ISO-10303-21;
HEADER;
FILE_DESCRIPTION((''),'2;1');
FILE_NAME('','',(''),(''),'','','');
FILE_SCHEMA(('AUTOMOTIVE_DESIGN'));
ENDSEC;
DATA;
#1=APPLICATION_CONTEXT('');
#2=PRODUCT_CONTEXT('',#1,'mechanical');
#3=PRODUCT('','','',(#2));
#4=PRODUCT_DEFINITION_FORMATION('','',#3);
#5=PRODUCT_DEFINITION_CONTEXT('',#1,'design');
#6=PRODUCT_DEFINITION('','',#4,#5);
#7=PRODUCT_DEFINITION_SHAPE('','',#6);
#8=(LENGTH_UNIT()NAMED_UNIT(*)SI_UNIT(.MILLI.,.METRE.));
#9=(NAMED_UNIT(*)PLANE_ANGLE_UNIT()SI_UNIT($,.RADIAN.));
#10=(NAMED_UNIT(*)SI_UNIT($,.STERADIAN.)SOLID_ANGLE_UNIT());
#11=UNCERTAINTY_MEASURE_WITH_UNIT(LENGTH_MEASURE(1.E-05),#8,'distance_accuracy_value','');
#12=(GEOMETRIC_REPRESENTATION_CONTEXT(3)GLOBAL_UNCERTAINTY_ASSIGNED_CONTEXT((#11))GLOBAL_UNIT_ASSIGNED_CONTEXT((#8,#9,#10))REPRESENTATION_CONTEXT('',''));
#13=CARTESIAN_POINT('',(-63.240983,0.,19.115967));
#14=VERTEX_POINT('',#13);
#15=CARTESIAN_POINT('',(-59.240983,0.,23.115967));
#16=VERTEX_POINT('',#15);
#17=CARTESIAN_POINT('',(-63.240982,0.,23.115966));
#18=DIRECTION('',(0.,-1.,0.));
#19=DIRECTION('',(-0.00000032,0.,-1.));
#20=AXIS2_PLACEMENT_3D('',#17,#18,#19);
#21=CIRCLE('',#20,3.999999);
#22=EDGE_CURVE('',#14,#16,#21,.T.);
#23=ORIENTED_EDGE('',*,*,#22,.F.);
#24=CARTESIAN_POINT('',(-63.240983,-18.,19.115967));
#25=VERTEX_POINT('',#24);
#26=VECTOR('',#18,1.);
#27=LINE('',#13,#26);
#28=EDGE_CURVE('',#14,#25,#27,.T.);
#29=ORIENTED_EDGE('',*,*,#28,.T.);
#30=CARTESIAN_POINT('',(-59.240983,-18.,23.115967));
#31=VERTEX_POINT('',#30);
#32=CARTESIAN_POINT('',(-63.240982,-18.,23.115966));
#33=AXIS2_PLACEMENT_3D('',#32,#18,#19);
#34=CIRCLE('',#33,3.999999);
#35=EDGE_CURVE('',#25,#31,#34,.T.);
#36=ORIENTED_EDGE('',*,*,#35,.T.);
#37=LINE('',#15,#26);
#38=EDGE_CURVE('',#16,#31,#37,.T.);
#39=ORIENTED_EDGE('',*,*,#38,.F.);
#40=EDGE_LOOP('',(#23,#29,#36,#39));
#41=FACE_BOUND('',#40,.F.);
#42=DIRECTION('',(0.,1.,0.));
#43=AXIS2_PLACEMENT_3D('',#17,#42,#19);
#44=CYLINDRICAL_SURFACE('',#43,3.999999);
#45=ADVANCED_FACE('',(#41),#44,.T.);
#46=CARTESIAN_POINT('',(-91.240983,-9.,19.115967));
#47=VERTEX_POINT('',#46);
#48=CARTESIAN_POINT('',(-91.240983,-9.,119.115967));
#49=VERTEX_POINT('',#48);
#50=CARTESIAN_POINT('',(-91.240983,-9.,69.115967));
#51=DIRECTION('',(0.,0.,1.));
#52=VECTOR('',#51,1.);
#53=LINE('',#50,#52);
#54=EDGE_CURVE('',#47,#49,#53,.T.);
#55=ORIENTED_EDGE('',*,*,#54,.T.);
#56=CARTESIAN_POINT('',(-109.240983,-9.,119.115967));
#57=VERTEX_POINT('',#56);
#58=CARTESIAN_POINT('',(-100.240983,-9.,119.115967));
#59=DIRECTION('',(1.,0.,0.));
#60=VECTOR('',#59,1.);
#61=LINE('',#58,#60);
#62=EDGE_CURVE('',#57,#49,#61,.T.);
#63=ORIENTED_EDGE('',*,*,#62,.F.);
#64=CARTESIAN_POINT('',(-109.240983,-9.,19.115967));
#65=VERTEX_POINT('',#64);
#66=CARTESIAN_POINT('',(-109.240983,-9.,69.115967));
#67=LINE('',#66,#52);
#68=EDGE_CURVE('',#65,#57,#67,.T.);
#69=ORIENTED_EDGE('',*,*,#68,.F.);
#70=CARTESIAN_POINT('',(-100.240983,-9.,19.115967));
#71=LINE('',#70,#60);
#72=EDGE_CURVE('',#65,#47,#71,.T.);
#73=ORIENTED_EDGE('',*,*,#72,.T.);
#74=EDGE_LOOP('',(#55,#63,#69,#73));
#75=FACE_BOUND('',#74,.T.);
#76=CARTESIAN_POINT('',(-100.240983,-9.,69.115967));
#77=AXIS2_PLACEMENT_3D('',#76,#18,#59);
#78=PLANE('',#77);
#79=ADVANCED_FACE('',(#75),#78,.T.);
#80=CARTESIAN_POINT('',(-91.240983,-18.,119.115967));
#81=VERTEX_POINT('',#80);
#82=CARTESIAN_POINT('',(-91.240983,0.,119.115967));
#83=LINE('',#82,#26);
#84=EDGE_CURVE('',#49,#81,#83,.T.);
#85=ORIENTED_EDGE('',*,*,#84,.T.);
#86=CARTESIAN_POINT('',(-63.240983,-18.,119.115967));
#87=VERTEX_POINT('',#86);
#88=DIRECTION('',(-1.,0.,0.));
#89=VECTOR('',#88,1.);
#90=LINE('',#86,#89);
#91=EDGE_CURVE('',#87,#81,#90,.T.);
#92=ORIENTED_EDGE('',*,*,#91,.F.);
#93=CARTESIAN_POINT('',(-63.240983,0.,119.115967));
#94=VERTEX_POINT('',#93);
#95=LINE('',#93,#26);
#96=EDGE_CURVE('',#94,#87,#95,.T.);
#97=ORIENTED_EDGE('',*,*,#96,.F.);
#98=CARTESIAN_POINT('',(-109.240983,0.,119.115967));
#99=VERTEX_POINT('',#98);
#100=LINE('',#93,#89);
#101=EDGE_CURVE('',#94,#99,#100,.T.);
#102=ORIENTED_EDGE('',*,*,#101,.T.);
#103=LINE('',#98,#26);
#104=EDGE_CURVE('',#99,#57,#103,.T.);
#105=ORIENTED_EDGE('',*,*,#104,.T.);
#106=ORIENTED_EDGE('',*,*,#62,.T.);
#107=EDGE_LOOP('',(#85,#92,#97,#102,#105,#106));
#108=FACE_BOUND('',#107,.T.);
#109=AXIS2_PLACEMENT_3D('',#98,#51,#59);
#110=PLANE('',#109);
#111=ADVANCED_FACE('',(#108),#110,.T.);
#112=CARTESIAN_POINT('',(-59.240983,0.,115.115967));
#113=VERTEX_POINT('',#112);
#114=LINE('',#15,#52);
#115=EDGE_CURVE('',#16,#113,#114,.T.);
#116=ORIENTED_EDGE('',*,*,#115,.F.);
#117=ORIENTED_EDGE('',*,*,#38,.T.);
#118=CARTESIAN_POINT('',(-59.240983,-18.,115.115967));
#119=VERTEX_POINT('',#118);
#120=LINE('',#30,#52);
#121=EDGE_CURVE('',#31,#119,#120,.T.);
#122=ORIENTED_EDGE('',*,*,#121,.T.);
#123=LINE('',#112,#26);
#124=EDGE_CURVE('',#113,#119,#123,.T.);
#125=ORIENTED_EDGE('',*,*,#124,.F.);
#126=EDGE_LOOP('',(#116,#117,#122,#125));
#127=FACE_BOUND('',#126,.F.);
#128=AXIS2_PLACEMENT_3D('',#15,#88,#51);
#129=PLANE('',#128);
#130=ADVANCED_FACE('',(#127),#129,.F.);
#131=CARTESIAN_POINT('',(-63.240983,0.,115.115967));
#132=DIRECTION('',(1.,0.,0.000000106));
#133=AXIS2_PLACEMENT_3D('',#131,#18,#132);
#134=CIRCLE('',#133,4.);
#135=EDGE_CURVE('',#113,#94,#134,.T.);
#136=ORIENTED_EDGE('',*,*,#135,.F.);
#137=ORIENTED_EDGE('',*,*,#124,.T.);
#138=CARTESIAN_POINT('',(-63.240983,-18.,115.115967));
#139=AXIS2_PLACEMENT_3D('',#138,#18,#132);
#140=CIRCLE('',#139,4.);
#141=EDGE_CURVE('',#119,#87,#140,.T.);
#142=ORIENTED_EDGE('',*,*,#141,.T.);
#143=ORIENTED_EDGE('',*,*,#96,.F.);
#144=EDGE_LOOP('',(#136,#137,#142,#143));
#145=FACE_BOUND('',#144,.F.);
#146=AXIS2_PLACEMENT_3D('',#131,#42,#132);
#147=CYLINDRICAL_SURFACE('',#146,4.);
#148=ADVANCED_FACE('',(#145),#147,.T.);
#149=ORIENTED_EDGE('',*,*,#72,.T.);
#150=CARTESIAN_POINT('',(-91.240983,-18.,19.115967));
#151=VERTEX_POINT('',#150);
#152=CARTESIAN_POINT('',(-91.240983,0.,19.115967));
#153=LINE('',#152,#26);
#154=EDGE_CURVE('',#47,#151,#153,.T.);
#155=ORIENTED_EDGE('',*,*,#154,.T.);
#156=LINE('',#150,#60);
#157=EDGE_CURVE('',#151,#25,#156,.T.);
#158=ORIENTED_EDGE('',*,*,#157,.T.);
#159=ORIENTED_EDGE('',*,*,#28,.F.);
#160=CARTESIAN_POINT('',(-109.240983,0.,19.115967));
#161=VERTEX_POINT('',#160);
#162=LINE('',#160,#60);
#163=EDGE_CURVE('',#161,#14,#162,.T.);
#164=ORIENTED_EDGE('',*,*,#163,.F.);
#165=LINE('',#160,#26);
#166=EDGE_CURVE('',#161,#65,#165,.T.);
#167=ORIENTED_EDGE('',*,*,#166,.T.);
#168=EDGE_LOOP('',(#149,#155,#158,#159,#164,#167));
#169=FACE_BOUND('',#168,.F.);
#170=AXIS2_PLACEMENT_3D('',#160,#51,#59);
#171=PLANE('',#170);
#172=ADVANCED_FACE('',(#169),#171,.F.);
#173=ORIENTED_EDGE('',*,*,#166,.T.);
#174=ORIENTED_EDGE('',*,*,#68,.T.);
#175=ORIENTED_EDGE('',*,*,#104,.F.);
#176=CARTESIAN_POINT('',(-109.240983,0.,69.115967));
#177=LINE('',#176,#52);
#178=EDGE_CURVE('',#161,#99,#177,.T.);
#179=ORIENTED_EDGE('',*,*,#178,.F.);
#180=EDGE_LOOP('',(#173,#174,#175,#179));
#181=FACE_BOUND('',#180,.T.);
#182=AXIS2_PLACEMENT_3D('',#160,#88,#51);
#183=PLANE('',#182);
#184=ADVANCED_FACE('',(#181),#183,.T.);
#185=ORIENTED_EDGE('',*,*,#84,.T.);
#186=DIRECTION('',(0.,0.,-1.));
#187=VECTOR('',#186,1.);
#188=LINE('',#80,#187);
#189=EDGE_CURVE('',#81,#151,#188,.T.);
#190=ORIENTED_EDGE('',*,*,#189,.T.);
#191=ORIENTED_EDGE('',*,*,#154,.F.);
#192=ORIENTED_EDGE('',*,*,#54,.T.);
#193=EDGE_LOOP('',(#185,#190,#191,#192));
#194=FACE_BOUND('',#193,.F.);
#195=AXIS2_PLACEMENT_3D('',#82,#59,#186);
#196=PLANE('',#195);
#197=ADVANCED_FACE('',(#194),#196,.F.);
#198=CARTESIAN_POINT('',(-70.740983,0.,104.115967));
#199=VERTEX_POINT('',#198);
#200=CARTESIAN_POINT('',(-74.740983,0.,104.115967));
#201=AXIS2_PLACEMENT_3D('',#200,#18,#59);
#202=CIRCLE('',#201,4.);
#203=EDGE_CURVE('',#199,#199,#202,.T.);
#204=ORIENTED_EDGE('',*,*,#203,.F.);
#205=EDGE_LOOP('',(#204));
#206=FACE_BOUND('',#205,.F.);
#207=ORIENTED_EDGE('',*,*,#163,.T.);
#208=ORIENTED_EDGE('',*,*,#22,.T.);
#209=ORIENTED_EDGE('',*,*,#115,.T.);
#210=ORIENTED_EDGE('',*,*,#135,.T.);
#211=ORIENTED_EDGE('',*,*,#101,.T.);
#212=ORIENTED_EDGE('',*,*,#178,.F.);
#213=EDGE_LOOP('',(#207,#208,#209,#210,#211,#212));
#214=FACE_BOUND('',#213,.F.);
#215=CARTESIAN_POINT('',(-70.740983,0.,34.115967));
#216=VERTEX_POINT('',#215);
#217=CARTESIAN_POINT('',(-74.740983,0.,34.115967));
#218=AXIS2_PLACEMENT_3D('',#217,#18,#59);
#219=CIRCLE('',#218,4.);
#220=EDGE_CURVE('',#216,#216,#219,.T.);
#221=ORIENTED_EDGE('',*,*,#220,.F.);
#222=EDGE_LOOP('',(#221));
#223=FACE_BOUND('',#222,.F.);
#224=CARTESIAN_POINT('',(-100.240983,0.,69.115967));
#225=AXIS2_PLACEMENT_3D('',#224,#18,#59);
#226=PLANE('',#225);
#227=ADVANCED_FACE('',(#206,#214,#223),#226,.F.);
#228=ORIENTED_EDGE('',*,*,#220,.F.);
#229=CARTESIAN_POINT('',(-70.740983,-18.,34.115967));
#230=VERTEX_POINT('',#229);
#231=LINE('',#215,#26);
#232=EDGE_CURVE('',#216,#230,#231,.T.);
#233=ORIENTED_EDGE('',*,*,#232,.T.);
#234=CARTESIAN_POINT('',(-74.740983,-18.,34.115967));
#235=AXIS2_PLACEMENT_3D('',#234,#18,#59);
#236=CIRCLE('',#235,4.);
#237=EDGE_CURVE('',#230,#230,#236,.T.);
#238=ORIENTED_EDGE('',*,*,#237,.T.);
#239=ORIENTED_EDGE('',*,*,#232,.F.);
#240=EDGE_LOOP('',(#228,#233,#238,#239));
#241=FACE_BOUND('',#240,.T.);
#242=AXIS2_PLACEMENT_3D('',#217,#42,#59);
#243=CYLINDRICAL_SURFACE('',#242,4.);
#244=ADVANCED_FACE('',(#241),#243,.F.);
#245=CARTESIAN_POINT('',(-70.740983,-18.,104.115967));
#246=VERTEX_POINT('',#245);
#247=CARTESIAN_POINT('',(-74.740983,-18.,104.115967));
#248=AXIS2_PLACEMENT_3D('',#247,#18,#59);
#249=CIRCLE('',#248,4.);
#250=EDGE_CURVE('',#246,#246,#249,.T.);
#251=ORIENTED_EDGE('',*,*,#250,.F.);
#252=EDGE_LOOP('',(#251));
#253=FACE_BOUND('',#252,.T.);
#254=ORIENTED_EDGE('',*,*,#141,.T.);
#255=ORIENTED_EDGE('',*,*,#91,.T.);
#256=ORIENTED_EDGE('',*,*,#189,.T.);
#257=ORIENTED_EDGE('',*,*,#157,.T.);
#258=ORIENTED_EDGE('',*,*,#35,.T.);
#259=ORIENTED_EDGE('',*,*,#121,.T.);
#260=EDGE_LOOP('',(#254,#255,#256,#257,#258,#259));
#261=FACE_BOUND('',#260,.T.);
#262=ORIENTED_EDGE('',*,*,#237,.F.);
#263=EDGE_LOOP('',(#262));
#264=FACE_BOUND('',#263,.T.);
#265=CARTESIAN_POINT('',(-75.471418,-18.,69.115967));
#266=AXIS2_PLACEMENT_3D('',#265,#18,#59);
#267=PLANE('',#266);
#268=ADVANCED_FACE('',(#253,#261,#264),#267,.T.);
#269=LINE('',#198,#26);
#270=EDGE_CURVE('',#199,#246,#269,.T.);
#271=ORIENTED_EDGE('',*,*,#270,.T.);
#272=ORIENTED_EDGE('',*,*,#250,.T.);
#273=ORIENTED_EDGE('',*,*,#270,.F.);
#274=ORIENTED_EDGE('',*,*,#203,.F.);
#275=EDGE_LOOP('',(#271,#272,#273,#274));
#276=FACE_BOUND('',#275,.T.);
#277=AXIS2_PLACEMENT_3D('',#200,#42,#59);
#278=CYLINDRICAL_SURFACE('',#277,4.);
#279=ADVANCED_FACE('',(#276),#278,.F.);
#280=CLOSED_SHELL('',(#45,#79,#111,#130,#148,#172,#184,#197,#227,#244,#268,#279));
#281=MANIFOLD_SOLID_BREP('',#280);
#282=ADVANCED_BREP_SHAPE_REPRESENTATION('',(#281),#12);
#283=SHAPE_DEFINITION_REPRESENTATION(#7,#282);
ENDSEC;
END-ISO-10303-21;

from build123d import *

# Parameters (mm, degrees)
F0_R     = 4
F1_DEPTH = 18
F0_W     = 18
F0_H     = 100
F2_DEPTH = 9


with BuildPart() as f1:
    # F0 (on Front) → F1 (new body)
    with BuildSketch(Plane.XZ):
        with BuildLine():
            Line((-59.240983, 23.115967), (-59.240983, 115.115967))
            ThreePointArc((-59.240983, 115.115967), (-60.412556, 117.944394), (-63.240983, 119.115967))
            Line((-63.240983, 119.115967), (-91.240983, 119.115967))
            Line((-91.240983, 119.115967), (-91.240983, 19.115967))
            Line((-91.240983, 19.115967), (-63.240983, 19.115967))
            ThreePointArc((-63.240983, 19.115967), (-60.412556, 20.287539), (-59.240983, 23.115967))
        make_face()
        with Locations((-74.740983, 34.115967)):
            Circle(F0_R, mode=Mode.SUBTRACT)
        with Locations((-74.740983, 104.115967)):
            Circle(F0_R, mode=Mode.SUBTRACT)
    extrude(amount=F1_DEPTH)

    # F0 (on Front) → F2 (join)
    with BuildSketch(Plane.XZ):
        with Locations((-100.240983, 69.115967)):
            Rectangle(F0_W, F0_H)
    extrude(amount=F2_DEPTH)


solid = f1.part
